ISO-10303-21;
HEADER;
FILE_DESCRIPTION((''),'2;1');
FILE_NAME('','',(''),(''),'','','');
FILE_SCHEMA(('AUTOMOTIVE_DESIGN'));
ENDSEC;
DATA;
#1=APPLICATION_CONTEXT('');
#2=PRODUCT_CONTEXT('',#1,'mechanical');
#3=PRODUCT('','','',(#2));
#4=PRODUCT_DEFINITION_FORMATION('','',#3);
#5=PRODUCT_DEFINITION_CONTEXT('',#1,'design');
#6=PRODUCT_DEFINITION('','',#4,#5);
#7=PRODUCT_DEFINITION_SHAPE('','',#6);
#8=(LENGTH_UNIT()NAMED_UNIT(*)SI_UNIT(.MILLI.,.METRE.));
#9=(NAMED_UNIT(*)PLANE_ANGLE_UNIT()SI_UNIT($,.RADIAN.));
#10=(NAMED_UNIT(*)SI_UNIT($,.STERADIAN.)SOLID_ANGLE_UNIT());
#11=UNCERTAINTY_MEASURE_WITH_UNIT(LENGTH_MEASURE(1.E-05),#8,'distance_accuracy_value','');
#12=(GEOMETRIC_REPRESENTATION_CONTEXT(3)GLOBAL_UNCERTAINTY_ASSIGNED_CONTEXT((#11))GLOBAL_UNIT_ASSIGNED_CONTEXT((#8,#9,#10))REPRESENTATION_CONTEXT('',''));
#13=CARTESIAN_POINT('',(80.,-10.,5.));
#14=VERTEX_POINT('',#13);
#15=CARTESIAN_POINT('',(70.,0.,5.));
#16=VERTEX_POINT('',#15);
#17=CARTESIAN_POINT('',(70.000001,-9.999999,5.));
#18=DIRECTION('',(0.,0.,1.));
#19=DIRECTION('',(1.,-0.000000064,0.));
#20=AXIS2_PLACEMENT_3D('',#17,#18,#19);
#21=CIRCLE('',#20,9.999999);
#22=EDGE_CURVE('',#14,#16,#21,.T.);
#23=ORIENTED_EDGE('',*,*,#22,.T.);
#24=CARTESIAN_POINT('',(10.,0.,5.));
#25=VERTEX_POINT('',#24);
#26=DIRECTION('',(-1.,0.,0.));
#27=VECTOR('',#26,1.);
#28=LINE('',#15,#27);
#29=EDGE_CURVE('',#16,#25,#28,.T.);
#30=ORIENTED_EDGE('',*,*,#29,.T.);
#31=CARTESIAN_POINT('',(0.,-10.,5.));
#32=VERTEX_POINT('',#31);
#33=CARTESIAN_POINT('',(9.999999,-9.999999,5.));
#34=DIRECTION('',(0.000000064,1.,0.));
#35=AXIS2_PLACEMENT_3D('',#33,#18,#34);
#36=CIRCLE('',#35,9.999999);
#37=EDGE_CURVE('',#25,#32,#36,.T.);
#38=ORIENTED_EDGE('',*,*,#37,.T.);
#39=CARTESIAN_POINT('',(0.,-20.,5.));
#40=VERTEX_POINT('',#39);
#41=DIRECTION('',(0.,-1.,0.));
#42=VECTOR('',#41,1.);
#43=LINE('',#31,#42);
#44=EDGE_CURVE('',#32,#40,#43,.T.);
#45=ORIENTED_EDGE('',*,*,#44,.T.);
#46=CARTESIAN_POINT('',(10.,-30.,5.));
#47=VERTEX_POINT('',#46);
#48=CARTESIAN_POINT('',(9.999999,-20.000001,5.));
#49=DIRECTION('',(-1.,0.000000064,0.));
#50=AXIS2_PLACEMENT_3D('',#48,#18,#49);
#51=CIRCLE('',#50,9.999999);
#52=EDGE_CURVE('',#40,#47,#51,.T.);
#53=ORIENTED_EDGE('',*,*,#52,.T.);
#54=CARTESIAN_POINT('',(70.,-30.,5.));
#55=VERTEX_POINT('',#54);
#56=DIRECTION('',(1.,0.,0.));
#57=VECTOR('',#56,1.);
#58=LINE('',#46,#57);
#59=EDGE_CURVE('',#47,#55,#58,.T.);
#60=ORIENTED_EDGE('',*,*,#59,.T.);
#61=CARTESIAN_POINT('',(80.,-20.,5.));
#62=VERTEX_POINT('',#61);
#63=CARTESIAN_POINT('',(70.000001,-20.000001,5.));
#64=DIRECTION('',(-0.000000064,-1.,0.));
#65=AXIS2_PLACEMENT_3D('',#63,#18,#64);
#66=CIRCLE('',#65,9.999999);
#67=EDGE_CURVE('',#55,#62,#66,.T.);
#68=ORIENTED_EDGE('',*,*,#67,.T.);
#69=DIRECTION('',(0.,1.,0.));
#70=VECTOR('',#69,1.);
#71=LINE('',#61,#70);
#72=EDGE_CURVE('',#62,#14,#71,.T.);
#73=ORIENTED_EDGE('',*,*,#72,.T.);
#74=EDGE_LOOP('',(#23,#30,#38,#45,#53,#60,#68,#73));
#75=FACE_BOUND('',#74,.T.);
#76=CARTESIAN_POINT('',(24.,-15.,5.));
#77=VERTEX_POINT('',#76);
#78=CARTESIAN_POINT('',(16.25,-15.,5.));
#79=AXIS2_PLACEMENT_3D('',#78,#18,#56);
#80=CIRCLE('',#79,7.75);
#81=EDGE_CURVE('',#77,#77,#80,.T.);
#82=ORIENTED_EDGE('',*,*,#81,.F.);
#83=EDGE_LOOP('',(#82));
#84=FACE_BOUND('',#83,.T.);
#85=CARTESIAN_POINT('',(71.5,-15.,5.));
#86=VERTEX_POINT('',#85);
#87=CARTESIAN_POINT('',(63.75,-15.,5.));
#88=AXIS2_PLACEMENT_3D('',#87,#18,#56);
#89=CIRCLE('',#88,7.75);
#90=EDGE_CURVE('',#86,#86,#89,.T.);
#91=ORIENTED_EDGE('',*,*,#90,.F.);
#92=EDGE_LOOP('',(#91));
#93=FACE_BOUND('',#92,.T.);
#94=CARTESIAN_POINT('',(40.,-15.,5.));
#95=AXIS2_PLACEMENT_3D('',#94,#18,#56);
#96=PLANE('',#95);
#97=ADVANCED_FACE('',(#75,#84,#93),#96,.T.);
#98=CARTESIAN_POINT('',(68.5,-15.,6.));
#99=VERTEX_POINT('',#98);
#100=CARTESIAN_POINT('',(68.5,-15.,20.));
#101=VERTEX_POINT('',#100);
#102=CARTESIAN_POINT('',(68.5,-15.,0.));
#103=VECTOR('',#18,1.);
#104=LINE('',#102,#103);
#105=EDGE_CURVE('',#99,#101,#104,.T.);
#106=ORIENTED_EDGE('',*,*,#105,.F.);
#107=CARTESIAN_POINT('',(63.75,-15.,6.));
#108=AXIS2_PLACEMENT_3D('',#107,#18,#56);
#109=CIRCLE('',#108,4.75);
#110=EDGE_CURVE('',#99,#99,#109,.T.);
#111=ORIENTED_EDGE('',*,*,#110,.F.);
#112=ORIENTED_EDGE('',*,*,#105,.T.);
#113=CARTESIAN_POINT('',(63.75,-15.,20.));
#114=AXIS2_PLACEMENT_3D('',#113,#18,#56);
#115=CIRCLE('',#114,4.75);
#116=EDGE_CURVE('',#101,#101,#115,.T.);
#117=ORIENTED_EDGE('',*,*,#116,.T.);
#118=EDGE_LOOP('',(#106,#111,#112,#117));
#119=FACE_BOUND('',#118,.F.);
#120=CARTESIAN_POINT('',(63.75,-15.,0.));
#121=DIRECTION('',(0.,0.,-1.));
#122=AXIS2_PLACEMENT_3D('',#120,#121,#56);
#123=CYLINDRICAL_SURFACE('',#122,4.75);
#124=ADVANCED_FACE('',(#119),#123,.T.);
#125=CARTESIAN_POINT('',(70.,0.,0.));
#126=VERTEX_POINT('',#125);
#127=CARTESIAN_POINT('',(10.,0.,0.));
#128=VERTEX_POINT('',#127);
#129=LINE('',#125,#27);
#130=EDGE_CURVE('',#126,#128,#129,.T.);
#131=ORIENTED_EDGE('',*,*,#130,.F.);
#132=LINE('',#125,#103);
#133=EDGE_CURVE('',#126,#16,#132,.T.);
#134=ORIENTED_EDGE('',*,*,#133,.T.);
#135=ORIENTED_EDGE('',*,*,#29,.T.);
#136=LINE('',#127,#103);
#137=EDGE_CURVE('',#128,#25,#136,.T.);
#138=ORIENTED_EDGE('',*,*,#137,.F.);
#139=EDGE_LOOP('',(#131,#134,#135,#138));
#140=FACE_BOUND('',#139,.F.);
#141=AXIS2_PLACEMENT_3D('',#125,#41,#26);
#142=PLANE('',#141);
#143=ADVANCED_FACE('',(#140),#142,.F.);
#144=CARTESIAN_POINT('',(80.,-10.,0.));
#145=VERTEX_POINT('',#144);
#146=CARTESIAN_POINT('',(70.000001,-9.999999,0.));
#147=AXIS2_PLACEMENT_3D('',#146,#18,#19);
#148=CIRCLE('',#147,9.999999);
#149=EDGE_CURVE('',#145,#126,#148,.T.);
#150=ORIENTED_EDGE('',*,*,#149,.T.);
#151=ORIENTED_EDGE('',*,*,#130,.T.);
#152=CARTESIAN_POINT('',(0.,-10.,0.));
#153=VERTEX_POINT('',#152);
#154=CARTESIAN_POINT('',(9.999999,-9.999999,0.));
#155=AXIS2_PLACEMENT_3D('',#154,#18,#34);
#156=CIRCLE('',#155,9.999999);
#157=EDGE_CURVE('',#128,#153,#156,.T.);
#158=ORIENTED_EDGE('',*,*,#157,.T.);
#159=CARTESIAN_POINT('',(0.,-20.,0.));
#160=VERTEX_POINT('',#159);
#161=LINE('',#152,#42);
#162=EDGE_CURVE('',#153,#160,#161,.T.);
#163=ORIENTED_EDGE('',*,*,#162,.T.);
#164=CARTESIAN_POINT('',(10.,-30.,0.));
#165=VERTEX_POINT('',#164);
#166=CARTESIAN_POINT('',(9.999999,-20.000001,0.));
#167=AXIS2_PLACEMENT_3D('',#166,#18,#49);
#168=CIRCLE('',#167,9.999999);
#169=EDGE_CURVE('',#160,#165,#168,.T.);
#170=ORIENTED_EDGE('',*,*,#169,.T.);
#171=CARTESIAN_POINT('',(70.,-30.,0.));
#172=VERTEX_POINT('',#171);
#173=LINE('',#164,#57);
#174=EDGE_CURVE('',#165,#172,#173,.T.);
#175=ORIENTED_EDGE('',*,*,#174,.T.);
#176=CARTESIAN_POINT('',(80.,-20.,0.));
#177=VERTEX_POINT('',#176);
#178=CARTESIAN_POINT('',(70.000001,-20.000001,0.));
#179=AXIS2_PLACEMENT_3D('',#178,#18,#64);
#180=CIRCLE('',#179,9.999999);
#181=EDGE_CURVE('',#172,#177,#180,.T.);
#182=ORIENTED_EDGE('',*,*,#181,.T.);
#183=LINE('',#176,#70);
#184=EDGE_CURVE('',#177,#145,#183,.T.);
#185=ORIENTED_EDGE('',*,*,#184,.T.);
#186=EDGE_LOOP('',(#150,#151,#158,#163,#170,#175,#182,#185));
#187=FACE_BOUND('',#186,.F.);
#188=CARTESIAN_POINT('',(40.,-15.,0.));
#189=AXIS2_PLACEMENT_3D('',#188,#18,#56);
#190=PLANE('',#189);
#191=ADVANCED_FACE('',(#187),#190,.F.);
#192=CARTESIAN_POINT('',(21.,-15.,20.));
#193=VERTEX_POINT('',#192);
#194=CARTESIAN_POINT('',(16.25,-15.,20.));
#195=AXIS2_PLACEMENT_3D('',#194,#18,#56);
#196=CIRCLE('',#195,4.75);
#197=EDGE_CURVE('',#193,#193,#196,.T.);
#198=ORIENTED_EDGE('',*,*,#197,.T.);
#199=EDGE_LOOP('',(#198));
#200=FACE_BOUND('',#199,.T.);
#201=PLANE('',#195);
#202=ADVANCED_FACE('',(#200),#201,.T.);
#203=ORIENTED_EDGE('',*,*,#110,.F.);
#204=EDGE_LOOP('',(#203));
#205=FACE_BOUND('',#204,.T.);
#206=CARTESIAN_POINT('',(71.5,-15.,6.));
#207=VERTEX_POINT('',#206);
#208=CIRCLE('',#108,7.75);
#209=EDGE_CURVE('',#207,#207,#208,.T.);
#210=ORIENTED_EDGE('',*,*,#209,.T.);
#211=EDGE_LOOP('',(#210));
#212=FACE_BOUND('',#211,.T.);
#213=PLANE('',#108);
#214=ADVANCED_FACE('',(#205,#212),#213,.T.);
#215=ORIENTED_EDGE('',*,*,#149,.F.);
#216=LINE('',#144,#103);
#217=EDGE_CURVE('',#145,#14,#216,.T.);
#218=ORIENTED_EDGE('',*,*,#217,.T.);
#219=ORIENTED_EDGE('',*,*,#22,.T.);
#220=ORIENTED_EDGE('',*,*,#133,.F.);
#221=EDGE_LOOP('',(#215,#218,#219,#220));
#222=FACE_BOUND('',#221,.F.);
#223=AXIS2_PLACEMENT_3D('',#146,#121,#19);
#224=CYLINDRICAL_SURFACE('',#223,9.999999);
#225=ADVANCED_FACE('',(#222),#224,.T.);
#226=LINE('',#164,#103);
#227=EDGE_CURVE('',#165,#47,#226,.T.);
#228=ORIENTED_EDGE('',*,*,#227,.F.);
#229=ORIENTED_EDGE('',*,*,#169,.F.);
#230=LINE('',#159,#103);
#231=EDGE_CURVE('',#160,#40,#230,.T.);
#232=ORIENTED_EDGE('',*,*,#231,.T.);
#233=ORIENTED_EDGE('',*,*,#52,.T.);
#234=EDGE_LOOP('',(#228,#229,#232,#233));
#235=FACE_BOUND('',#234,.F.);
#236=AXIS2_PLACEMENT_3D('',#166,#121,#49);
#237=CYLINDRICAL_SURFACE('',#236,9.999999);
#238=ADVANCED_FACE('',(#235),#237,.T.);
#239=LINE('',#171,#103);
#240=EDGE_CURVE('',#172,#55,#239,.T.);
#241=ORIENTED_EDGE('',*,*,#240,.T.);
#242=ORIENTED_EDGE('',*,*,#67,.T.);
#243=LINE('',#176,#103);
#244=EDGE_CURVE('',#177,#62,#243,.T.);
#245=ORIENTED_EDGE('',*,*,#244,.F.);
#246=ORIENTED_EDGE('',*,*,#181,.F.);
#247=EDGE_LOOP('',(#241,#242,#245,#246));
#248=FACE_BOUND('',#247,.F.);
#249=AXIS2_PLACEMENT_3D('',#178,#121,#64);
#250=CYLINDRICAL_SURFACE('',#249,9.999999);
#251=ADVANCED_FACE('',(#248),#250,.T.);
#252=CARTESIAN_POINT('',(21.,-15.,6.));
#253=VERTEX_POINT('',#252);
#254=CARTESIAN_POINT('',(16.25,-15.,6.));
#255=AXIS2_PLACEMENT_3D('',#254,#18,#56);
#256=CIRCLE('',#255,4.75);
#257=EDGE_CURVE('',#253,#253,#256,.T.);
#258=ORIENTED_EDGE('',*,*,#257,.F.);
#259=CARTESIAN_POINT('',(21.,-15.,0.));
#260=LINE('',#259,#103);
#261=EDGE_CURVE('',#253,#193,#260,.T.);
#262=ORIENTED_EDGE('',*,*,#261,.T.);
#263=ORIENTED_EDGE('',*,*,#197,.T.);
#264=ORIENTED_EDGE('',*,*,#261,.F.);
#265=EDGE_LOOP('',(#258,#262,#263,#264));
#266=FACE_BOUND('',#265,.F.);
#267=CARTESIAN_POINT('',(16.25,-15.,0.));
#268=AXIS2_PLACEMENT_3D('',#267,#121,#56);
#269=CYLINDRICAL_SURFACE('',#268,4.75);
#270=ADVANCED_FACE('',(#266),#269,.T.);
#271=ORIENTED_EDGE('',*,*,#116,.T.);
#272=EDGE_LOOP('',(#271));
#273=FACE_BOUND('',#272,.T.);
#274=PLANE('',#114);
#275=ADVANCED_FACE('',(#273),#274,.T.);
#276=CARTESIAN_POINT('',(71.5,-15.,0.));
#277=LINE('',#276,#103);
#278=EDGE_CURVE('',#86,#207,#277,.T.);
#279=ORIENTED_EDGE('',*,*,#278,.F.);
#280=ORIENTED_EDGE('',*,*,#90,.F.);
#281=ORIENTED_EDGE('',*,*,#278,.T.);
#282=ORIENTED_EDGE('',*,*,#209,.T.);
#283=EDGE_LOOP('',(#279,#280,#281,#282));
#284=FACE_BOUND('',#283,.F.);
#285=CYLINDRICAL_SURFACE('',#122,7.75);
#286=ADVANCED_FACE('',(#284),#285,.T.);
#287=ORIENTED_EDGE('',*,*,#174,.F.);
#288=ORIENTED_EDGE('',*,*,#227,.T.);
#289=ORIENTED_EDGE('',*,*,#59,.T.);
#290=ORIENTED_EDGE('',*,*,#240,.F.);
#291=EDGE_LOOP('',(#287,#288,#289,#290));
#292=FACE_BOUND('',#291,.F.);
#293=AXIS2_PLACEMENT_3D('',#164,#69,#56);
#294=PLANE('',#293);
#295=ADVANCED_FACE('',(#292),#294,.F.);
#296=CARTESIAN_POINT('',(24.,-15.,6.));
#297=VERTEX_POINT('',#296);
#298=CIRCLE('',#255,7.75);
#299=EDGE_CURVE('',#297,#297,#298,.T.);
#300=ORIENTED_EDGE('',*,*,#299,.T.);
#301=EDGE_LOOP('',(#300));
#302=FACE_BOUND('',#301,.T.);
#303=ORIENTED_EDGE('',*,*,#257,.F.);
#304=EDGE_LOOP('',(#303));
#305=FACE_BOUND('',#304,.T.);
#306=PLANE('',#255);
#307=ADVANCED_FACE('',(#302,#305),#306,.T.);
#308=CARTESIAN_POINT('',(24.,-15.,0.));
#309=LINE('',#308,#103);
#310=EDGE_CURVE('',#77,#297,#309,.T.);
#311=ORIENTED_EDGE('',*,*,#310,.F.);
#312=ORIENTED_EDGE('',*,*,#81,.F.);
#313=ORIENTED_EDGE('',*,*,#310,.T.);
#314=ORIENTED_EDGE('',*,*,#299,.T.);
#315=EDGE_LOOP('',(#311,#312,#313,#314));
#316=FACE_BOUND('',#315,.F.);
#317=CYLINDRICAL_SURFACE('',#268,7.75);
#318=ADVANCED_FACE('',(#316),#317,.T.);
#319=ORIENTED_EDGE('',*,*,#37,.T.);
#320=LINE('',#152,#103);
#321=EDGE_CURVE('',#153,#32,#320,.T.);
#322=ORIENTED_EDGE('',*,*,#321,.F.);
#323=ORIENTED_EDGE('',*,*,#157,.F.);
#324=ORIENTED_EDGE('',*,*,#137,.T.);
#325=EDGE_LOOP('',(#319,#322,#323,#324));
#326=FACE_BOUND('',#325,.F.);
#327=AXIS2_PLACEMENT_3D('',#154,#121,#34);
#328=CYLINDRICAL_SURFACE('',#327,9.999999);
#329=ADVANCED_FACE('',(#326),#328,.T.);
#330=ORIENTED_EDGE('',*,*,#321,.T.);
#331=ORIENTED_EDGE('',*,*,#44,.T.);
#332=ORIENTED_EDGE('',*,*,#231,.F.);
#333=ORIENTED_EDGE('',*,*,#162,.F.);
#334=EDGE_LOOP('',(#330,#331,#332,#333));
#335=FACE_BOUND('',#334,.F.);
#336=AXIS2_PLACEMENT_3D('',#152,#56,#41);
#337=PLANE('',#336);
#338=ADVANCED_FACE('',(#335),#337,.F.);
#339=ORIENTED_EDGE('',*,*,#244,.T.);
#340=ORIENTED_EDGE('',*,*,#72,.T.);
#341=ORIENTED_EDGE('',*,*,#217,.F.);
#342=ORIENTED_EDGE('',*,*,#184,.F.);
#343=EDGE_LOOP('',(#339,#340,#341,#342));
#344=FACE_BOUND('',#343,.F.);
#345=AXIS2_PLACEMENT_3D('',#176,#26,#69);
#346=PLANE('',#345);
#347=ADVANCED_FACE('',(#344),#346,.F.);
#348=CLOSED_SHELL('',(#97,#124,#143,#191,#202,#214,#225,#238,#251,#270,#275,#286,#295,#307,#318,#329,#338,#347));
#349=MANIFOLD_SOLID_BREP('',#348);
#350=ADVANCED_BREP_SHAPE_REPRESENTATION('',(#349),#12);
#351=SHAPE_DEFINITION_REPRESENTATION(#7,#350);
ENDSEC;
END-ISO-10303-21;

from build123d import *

# Parameters (mm, degrees)
F0_R     = 7.75
F1_DEPTH = 5
F0_R_2   = 4.75
F2_DEPTH = 6
F3_DEPTH = 20


with BuildPart() as f1:
    # F0 (on Top) → F1 (new body)
    with BuildSketch(Plane.XY):
        with BuildLine():
            Line((70, 0), (10, 0))
            ThreePointArc((10, 0), (2.928932, -2.928932), (0, -10))
            Line((0, -10), (0, -20))
            ThreePointArc((0, -20), (2.928932, -27.071068), (10, -30))
            Line((10, -30), (70, -30))
            ThreePointArc((70, -30), (77.071068, -27.071068), (80, -20))
            Line((80, -20), (80, -10))
            ThreePointArc((80, -10), (77.071068, -2.928932), (70, 0))
        make_face()
        with Locations((16.25, -15)):
            Circle(F0_R, mode=Mode.SUBTRACT)
        with Locations((63.75, -15)):
            Circle(F0_R, mode=Mode.SUBTRACT)
    extrude(amount=F1_DEPTH)

    # F0 (on Top) → F2 (join)
    with BuildSketch(Plane.XY):
        with Locations((16.25, -15)):
            Circle(F0_R)
        with Locations((16.25, -15)):
            Circle(F0_R_2, mode=Mode.SUBTRACT)
        with Locations((63.75, -15)):
            Circle(F0_R)
        with Locations((63.75, -15)):
            Circle(F0_R_2, mode=Mode.SUBTRACT)
    extrude(amount=F2_DEPTH)

    # F0 (on Top) → F3 (join)
    with BuildSketch(Plane.XY):
        with Locations((16.25, -15)):
            Circle(F0_R_2)
        with Locations((63.75, -15)):
            Circle(F0_R_2)
    extrude(amount=F3_DEPTH)


solid = f1.part
